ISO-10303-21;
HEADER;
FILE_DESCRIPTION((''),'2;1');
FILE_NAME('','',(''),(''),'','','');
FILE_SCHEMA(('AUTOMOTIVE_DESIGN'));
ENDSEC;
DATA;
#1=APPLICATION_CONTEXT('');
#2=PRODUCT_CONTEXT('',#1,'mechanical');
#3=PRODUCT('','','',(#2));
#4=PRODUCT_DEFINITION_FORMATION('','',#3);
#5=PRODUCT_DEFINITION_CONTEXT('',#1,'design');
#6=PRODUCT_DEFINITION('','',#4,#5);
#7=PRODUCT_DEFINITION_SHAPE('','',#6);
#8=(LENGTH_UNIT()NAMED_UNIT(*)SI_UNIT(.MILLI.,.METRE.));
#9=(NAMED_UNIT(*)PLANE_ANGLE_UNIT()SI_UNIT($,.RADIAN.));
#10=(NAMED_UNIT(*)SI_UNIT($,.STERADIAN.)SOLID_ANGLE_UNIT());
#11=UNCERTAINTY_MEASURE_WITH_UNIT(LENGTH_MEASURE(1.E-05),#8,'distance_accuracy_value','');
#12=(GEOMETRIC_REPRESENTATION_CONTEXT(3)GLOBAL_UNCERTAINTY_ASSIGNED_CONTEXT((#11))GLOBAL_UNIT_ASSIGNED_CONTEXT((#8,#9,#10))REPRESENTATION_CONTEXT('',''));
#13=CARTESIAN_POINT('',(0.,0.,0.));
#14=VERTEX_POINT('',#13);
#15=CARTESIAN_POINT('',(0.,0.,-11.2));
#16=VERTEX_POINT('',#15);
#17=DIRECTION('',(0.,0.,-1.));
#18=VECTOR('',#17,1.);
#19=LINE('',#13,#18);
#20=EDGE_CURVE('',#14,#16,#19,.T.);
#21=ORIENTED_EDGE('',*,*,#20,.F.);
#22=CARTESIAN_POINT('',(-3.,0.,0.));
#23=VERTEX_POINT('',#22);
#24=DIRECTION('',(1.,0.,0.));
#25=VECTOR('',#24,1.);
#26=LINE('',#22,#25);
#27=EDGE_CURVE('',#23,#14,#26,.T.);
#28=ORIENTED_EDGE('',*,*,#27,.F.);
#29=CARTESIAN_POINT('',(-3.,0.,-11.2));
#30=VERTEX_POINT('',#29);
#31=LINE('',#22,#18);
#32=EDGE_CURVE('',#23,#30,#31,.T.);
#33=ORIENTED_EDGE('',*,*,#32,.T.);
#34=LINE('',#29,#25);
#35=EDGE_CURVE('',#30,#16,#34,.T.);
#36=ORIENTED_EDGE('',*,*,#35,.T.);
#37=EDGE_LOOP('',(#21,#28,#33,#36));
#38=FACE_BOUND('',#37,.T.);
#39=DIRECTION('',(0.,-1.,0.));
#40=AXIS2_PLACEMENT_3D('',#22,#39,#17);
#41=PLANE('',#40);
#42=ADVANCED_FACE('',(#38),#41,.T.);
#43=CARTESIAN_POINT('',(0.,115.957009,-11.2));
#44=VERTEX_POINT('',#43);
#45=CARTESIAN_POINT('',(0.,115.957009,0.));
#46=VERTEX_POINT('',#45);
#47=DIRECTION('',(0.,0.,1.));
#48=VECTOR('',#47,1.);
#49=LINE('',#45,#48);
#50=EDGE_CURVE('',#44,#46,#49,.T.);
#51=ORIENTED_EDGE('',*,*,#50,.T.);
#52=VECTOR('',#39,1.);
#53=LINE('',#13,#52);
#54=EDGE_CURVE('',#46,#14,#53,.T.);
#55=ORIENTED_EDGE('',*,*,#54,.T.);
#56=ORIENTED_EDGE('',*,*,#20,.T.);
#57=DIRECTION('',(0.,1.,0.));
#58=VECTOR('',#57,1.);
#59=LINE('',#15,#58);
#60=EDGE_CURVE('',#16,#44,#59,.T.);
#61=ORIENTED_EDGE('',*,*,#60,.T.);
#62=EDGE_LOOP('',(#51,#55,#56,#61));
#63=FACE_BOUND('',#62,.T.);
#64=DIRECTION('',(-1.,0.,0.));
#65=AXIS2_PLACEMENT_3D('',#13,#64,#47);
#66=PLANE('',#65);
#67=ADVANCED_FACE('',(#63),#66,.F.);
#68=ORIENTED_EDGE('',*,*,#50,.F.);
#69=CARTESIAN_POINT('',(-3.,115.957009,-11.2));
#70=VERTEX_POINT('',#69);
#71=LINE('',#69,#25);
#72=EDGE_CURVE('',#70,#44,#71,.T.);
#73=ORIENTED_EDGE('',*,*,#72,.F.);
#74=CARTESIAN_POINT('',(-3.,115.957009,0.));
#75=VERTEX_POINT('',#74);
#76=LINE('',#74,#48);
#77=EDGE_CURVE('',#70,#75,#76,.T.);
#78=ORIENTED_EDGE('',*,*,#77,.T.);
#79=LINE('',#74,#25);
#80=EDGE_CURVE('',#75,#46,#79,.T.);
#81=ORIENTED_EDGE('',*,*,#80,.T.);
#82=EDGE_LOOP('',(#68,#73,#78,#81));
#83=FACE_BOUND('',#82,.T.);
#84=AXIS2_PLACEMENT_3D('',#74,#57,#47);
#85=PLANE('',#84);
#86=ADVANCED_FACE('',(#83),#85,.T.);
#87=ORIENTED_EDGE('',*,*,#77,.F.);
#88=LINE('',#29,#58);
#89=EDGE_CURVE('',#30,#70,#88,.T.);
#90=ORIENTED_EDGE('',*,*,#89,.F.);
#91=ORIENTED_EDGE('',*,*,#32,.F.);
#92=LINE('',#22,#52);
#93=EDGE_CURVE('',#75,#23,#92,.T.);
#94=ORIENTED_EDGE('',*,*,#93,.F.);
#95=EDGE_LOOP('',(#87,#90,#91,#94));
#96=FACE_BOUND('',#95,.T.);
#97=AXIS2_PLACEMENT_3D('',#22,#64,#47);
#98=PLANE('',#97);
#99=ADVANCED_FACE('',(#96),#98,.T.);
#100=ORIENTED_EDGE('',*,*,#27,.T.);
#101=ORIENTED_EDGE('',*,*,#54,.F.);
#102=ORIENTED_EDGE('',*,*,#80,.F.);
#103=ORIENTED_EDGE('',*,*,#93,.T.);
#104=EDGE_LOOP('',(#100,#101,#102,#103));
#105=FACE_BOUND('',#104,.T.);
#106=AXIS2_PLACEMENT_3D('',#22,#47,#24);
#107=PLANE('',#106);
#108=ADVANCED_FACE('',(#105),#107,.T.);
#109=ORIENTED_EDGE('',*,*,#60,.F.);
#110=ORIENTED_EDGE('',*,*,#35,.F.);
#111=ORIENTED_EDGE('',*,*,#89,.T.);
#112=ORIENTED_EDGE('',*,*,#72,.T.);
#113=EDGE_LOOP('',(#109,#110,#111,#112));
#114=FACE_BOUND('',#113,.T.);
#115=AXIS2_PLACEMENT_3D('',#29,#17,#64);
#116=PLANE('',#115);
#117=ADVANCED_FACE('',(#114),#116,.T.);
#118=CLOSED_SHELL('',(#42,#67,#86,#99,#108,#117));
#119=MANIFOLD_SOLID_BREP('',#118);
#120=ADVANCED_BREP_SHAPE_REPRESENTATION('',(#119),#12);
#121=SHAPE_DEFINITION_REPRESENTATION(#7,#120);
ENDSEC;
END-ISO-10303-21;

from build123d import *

# Parameters (mm, degrees)
SKETCH1_W           = 11.2
SKETCH1_H           = 115.957009142
BOSS_EXTRUDE1_DEPTH = 3


with BuildPart() as part:
    # Sketch1 → Boss-Extrude1 (new body)
    with BuildSketch(Plane(origin=(0, 0, 0), x_dir=(0, 0, -1), z_dir=(1, 0, 0))):
        with Locations((5.6, 57.978504571)):
            Rectangle(SKETCH1_W, SKETCH1_H)
    extrude(amount=-BOSS_EXTRUDE1_DEPTH)


solid = part.part
